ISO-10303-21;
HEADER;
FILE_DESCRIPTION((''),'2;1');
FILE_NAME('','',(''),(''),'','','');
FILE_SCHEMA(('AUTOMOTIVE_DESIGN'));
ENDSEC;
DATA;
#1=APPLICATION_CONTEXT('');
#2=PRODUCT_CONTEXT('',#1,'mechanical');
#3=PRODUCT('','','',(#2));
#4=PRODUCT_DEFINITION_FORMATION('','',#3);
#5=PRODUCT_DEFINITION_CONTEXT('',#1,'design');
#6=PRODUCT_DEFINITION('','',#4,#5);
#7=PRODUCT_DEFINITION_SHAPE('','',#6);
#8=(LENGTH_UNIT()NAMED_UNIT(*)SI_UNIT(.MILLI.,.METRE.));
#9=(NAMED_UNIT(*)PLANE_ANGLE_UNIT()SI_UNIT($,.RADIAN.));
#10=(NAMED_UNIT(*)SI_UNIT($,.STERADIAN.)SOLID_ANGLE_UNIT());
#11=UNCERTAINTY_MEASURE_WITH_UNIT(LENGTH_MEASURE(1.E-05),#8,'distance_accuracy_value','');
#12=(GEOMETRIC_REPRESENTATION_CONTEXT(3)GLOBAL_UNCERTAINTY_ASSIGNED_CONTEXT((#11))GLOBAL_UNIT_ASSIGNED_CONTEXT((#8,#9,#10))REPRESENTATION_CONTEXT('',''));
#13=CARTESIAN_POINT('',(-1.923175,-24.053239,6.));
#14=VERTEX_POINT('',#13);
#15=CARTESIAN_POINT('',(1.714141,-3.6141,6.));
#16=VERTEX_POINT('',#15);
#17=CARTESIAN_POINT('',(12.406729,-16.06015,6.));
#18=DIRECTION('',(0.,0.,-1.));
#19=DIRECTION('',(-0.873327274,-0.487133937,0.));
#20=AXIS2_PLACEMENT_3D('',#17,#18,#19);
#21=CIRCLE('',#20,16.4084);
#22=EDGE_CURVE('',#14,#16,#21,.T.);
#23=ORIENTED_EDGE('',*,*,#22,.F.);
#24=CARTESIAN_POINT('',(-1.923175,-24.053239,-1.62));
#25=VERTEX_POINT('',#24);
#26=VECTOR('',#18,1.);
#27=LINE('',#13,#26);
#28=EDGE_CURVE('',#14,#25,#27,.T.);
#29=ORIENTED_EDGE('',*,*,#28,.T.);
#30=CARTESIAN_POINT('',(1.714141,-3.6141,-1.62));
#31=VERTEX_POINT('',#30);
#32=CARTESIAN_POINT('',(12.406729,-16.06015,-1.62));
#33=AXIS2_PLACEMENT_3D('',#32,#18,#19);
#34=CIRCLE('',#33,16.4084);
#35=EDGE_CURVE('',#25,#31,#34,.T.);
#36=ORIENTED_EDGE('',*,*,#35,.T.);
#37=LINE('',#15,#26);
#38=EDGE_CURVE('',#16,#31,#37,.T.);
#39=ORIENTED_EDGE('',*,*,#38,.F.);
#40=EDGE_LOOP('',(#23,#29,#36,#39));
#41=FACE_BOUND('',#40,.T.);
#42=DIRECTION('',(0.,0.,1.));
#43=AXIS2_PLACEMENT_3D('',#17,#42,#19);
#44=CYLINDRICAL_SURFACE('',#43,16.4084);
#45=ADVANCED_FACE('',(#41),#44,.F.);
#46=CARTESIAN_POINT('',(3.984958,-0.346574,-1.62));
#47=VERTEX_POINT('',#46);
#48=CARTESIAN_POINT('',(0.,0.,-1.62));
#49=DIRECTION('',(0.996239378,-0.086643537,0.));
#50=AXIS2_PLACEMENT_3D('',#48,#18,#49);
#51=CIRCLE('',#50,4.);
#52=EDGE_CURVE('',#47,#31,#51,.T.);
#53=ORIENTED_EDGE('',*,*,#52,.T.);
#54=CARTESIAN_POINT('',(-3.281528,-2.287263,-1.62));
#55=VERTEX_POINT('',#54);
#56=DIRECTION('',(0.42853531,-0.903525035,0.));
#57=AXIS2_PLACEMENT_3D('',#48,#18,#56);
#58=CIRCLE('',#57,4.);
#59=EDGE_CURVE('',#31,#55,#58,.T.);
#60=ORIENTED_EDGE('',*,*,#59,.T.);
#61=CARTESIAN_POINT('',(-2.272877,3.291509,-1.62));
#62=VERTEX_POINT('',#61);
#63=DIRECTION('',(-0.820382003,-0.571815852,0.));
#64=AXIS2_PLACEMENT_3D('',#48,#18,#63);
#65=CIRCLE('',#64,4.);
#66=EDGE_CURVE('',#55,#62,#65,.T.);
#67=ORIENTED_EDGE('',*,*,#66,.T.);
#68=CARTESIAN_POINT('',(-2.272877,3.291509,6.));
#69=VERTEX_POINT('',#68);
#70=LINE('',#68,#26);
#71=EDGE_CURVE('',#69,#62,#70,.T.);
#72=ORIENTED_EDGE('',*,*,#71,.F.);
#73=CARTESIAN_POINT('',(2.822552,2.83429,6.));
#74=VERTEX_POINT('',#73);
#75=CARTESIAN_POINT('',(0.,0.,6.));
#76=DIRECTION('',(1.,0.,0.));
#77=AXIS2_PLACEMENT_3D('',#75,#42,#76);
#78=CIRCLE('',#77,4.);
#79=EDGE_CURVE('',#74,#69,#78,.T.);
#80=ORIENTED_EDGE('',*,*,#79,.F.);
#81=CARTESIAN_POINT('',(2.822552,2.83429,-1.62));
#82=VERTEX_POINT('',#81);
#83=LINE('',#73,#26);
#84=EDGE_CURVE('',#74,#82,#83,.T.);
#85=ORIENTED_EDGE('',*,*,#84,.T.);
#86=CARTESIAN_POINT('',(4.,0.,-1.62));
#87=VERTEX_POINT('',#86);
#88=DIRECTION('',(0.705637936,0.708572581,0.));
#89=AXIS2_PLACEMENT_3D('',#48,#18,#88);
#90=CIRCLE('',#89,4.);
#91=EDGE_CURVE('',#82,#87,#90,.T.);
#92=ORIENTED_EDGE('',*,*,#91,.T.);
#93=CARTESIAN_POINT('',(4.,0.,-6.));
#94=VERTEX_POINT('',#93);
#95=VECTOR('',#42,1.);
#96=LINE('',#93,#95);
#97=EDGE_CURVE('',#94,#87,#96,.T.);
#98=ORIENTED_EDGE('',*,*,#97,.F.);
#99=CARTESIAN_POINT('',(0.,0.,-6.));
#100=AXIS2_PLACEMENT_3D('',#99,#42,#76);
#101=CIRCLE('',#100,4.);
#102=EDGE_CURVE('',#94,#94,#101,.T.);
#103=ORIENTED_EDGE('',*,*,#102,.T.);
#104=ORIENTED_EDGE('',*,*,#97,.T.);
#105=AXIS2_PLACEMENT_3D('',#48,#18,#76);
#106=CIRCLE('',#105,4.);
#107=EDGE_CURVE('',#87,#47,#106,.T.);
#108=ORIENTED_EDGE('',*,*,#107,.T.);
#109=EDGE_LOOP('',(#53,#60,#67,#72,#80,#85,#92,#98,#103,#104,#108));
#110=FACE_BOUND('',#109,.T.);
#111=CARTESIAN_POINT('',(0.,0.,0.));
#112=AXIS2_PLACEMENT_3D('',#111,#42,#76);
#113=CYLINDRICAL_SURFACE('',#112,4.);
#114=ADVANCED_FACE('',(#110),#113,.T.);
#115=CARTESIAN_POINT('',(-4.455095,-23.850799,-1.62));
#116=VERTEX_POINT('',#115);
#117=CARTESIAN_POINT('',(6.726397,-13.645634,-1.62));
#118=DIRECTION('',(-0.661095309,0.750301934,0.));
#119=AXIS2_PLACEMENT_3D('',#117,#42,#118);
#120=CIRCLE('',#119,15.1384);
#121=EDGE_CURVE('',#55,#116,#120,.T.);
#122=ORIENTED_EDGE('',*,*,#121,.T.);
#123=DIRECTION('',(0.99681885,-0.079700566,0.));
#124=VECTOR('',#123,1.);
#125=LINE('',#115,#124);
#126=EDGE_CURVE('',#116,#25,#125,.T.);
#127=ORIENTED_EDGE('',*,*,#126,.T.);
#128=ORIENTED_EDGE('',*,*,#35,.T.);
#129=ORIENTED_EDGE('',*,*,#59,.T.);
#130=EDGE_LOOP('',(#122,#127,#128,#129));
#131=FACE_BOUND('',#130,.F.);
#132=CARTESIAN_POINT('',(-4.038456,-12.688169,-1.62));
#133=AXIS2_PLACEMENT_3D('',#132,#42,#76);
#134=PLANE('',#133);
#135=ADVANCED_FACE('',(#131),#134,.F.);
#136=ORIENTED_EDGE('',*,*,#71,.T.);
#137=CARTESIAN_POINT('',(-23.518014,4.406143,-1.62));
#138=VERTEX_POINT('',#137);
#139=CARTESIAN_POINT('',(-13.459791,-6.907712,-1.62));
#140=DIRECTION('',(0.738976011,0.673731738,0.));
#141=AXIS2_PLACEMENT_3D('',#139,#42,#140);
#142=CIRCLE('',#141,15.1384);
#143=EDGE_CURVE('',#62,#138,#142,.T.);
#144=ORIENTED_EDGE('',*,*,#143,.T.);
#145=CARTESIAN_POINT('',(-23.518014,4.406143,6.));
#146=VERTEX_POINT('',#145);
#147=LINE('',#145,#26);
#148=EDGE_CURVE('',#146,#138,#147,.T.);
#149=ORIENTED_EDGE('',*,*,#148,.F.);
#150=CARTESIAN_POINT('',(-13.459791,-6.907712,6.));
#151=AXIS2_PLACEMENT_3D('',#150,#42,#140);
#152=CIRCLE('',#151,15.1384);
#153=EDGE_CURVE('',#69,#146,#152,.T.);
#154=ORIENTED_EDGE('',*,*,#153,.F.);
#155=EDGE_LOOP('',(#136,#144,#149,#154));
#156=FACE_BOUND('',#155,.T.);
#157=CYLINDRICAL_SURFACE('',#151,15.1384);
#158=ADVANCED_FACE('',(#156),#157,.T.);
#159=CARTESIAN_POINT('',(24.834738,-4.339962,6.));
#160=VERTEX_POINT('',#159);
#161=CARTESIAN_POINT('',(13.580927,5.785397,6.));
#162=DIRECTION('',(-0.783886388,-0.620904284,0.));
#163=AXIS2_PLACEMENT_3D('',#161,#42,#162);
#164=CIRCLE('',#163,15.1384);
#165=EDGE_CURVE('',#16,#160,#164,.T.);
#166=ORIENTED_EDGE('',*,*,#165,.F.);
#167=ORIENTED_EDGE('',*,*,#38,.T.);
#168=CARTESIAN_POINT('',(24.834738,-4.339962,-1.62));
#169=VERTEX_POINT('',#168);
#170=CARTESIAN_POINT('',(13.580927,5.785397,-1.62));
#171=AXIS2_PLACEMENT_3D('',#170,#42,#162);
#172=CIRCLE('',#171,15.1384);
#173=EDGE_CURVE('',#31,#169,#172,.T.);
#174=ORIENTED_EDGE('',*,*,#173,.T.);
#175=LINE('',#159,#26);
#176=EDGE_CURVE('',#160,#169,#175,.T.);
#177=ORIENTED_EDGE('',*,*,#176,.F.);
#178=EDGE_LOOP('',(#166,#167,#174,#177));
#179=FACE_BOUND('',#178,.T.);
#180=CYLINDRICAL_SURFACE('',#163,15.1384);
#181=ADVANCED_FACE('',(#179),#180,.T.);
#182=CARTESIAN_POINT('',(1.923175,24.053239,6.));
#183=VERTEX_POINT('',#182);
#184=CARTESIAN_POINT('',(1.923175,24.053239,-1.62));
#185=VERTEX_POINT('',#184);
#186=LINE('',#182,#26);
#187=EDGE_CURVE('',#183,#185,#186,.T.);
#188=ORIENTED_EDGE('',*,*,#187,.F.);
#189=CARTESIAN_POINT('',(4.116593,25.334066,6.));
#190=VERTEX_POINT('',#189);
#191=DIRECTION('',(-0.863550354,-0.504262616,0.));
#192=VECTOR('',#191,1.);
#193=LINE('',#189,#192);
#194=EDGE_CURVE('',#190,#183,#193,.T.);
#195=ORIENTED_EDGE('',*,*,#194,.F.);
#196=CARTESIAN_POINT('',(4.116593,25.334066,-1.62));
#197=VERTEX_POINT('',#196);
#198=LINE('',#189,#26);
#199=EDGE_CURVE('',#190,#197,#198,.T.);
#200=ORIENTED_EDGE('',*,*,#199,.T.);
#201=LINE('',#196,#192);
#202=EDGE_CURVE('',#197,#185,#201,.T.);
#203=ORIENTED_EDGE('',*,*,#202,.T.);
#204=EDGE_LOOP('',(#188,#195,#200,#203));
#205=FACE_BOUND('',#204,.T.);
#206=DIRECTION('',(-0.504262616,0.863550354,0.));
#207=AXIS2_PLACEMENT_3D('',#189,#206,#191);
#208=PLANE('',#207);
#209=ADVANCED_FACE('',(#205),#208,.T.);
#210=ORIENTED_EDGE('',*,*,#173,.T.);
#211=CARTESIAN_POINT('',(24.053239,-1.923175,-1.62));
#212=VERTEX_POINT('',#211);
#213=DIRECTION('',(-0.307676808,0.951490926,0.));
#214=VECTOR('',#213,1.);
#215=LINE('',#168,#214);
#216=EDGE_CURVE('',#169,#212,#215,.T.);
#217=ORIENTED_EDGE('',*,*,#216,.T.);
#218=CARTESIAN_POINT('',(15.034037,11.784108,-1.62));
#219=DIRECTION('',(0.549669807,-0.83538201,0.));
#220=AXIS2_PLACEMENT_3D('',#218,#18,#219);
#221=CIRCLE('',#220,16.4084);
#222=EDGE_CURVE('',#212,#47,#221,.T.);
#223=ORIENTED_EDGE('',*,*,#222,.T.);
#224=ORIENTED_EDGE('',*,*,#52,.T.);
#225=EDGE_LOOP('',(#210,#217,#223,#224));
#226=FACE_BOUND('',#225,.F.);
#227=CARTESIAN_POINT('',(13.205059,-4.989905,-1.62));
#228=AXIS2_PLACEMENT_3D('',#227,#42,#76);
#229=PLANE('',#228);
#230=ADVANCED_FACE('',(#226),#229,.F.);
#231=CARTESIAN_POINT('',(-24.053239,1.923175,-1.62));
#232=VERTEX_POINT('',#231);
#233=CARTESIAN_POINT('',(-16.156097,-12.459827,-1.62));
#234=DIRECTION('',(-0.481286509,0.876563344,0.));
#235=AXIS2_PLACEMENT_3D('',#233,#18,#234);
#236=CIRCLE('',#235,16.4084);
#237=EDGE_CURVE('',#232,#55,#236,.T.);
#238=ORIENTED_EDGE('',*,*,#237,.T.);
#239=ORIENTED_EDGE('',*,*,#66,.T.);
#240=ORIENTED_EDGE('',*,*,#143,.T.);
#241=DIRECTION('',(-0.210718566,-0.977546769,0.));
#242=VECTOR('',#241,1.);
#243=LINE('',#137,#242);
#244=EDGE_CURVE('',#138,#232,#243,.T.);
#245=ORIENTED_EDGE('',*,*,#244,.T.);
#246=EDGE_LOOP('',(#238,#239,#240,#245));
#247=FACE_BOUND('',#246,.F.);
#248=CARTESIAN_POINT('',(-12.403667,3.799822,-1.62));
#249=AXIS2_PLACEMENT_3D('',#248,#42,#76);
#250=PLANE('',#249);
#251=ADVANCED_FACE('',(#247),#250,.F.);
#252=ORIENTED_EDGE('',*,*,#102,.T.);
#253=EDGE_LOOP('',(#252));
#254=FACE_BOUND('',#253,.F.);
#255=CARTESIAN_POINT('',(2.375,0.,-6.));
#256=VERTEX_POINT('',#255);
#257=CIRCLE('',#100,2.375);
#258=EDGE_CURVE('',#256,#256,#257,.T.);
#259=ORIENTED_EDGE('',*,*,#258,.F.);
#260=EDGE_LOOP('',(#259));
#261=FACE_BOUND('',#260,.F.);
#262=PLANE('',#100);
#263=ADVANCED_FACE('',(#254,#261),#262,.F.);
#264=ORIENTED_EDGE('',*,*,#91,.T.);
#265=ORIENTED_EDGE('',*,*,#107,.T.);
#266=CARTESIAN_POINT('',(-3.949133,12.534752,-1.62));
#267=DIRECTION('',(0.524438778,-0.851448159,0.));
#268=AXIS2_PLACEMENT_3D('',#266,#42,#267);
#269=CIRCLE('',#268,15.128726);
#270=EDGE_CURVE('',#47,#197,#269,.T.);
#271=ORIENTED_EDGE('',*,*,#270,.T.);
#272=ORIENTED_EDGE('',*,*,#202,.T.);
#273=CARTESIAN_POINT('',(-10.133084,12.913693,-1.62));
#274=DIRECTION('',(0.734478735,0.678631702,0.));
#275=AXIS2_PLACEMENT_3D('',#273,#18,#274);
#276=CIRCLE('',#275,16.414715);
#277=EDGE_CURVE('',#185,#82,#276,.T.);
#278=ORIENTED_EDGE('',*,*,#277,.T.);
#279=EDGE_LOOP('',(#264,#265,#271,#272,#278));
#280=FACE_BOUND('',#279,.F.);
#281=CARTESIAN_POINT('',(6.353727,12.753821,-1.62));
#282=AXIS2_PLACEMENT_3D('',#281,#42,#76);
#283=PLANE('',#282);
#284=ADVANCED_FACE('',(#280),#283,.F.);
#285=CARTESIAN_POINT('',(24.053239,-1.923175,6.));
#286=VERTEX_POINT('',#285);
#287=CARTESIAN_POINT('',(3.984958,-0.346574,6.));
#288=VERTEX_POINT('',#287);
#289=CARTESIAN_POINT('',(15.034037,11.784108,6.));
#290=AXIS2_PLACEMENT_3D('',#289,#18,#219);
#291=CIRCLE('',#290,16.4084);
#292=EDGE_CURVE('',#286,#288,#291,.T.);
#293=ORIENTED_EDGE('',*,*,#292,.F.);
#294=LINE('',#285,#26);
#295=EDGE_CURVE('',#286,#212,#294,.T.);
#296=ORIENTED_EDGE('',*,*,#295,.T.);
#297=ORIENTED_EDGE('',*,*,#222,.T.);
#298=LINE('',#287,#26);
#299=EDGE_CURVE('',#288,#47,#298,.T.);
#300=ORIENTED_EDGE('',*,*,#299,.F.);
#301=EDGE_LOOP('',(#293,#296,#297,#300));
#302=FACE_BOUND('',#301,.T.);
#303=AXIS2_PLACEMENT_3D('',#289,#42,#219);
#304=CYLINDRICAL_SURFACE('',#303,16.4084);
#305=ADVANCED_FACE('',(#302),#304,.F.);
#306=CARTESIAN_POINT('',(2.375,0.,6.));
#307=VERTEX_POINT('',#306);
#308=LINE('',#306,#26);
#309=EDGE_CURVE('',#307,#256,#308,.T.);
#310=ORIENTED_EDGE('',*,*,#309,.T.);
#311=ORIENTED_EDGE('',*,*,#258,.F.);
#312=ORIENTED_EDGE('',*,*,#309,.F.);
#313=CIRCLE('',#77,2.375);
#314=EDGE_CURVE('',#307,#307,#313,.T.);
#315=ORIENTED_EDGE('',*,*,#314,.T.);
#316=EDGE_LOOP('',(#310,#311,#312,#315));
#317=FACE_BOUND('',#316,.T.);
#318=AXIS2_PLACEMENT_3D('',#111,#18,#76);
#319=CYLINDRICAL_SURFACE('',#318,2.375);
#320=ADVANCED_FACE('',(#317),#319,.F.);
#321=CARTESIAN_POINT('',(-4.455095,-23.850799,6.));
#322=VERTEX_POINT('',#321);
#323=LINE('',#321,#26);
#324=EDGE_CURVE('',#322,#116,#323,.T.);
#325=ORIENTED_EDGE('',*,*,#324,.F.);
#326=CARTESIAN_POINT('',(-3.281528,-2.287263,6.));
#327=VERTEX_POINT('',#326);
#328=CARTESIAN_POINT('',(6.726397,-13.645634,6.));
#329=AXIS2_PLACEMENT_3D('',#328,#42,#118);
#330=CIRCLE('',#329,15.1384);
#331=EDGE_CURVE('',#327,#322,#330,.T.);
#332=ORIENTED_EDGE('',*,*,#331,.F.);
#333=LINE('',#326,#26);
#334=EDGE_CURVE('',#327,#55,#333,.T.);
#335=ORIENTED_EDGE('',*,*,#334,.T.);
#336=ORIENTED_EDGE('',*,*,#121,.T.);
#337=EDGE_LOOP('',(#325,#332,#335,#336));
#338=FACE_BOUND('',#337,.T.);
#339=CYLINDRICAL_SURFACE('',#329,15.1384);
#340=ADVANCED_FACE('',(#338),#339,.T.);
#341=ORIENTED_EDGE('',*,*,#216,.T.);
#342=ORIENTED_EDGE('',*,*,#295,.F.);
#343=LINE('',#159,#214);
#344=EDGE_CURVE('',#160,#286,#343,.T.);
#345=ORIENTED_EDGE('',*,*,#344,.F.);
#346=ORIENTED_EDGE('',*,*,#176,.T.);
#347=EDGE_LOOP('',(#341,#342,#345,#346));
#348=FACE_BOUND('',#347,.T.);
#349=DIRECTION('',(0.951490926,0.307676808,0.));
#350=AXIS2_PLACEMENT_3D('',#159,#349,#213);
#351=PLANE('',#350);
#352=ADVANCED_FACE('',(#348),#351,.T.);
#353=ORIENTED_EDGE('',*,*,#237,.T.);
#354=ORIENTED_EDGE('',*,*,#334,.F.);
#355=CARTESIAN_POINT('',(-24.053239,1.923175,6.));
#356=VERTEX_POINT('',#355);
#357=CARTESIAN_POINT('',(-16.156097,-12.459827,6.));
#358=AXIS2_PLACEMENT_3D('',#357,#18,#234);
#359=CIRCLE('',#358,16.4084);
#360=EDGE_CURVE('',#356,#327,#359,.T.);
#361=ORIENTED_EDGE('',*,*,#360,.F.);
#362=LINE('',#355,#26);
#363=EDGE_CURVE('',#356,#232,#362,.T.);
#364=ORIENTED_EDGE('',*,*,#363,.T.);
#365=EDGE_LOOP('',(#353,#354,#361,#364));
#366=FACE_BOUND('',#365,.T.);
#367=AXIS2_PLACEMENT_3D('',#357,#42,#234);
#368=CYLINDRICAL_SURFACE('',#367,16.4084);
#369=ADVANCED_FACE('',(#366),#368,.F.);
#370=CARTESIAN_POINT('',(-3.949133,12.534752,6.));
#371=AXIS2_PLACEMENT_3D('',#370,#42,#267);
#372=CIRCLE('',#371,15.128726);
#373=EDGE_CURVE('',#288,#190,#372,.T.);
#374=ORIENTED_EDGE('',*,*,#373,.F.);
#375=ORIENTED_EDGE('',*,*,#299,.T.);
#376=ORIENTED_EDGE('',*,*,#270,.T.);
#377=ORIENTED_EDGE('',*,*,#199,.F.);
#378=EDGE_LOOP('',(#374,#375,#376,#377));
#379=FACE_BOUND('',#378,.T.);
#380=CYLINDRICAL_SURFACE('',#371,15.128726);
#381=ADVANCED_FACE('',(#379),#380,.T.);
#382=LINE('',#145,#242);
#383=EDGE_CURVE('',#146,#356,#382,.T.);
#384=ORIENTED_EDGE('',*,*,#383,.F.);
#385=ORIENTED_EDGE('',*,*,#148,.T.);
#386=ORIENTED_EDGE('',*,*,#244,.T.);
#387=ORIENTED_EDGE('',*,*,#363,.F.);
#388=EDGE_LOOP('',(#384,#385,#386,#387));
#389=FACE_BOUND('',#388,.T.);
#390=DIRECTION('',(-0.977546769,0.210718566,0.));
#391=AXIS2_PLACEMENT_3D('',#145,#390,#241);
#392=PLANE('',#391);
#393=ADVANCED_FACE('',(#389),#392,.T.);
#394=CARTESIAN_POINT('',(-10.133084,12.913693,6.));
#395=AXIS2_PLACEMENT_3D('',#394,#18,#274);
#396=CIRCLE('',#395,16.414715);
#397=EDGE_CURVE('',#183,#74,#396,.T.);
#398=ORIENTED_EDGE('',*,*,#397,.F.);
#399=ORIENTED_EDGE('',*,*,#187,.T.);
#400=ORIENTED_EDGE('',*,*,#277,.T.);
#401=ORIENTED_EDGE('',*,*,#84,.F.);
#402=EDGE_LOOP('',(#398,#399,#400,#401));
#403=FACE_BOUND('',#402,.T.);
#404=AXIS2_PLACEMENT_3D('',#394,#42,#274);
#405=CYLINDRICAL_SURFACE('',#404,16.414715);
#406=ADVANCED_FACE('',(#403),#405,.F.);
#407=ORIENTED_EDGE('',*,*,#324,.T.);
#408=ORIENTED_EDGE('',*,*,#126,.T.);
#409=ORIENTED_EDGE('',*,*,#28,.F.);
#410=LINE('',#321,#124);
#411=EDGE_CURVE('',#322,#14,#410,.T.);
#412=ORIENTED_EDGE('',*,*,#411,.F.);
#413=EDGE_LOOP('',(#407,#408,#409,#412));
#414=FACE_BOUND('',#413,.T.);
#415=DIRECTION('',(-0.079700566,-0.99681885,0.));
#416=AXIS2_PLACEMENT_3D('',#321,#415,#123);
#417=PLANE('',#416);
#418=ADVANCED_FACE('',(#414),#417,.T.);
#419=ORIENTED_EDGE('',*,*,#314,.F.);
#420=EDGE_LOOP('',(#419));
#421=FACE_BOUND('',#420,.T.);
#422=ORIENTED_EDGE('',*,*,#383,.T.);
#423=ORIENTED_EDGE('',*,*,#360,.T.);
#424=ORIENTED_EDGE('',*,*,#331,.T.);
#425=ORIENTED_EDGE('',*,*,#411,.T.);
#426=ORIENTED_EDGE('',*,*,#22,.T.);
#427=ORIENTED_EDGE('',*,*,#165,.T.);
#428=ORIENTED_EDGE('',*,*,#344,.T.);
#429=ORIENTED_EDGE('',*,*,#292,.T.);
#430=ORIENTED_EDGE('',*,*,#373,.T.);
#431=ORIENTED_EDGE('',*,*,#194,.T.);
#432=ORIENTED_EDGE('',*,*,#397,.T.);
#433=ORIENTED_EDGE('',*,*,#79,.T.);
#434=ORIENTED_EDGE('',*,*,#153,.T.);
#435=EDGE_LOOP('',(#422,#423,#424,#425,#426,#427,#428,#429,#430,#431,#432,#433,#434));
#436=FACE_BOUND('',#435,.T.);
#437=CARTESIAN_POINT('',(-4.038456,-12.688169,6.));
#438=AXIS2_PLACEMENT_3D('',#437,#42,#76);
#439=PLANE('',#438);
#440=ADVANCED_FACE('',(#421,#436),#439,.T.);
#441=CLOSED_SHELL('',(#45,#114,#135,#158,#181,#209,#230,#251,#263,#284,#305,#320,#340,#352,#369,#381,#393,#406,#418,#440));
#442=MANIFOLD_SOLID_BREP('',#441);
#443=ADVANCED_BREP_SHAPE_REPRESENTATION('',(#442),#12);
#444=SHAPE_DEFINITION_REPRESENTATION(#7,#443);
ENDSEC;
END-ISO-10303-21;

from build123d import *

# Parameters (mm, degrees)
F0_R     = 4
F0_R_2   = 2.375
F1_DEPTH = 6
F3_DEPTH = 7.62


with BuildPart() as f1:
    # F0 (on Top) → F1 (new body, symmetric)
    with BuildSketch(Plane.XY):
        Circle(F0_R)
        Circle(F0_R_2, mode=Mode.SUBTRACT)
    extrude(amount=F1_DEPTH, both=True)

    # F2 (on face) → F3 (join)
    with BuildSketch(Plane.XY.offset(6)):
        with BuildLine():
            ThreePointArc((-1.9231746538, -24.0532388516), (-3.7478638442, -13.1853053628), (1.7141412384, -3.614100139))
            ThreePointArc((1.7141412384, -3.614100139), (-1.026790754, -3.8659669874), (-3.2815280129, -2.2872634087))
            ThreePointArc((-3.2815280129, -2.2872634087), (-8.3896329921, -12.8229645422), (-4.4550945329, -23.8507994143))
            Line((-4.4550945329, -23.8507994143), (-1.9231746538, -24.0532388516))
        make_face()
        with BuildLine():
            ThreePointArc((-3.2815280129, -2.2872634087), (-3.9361819774, 0.7116680692), (-2.2728769699, 3.2915088151))
            ThreePointArc((-2.2728769699, 3.2915088151), (-12.6666400466, 8.2098960617), (-23.5180136949, 4.4061434477))
            Line((-23.5180136949, 4.4061434477), (-24.0532388516, 1.9231746538))
            ThreePointArc((-24.0532388516, 1.9231746538), (-12.8963973291, 3.6215266899), (-3.2815280129, -2.2872634087))
        make_face()
        with BuildLine():
            ThreePointArc((1.9231746538, 24.0532388516), (6.2669055314, 13.6088157667), (2.8225517459, 2.8342903241))
            ThreePointArc((2.8225517459, 2.8342903241), (3.6939279219, 1.5345672055), (4, 0))
            ThreePointArc((4, 0), (3.9962376082, -0.17345022), (3.9849575106, -0.3465741462))
            ThreePointArc((3.9849575106, -0.3465741462), (11.1793944272, 12.4572056596), (4.1165925533, 25.3340658962))
            Line((4.1165925533, 25.3340658962), (1.9231746538, 24.0532388516))
        make_face()
        with BuildLine():
            ThreePointArc((24.0532388516, -1.9231746538), (13.7489229147, -4.5738896933), (3.9849575106, -0.3465741462))
            ThreePointArc((3.9849575106, -0.3465741462), (3.2846785483, -2.2827366984), (1.7141412384, -3.614100139))
            ThreePointArc((1.7141412384, -3.614100139), (13.1058972443, -9.3455478814), (24.8347379439, -4.3399616053))
            Line((24.8347379439, -4.3399616053), (24.0532388516, -1.9231746538))
        make_face()
    extrude(amount=-F3_DEPTH)


solid = f1.part
